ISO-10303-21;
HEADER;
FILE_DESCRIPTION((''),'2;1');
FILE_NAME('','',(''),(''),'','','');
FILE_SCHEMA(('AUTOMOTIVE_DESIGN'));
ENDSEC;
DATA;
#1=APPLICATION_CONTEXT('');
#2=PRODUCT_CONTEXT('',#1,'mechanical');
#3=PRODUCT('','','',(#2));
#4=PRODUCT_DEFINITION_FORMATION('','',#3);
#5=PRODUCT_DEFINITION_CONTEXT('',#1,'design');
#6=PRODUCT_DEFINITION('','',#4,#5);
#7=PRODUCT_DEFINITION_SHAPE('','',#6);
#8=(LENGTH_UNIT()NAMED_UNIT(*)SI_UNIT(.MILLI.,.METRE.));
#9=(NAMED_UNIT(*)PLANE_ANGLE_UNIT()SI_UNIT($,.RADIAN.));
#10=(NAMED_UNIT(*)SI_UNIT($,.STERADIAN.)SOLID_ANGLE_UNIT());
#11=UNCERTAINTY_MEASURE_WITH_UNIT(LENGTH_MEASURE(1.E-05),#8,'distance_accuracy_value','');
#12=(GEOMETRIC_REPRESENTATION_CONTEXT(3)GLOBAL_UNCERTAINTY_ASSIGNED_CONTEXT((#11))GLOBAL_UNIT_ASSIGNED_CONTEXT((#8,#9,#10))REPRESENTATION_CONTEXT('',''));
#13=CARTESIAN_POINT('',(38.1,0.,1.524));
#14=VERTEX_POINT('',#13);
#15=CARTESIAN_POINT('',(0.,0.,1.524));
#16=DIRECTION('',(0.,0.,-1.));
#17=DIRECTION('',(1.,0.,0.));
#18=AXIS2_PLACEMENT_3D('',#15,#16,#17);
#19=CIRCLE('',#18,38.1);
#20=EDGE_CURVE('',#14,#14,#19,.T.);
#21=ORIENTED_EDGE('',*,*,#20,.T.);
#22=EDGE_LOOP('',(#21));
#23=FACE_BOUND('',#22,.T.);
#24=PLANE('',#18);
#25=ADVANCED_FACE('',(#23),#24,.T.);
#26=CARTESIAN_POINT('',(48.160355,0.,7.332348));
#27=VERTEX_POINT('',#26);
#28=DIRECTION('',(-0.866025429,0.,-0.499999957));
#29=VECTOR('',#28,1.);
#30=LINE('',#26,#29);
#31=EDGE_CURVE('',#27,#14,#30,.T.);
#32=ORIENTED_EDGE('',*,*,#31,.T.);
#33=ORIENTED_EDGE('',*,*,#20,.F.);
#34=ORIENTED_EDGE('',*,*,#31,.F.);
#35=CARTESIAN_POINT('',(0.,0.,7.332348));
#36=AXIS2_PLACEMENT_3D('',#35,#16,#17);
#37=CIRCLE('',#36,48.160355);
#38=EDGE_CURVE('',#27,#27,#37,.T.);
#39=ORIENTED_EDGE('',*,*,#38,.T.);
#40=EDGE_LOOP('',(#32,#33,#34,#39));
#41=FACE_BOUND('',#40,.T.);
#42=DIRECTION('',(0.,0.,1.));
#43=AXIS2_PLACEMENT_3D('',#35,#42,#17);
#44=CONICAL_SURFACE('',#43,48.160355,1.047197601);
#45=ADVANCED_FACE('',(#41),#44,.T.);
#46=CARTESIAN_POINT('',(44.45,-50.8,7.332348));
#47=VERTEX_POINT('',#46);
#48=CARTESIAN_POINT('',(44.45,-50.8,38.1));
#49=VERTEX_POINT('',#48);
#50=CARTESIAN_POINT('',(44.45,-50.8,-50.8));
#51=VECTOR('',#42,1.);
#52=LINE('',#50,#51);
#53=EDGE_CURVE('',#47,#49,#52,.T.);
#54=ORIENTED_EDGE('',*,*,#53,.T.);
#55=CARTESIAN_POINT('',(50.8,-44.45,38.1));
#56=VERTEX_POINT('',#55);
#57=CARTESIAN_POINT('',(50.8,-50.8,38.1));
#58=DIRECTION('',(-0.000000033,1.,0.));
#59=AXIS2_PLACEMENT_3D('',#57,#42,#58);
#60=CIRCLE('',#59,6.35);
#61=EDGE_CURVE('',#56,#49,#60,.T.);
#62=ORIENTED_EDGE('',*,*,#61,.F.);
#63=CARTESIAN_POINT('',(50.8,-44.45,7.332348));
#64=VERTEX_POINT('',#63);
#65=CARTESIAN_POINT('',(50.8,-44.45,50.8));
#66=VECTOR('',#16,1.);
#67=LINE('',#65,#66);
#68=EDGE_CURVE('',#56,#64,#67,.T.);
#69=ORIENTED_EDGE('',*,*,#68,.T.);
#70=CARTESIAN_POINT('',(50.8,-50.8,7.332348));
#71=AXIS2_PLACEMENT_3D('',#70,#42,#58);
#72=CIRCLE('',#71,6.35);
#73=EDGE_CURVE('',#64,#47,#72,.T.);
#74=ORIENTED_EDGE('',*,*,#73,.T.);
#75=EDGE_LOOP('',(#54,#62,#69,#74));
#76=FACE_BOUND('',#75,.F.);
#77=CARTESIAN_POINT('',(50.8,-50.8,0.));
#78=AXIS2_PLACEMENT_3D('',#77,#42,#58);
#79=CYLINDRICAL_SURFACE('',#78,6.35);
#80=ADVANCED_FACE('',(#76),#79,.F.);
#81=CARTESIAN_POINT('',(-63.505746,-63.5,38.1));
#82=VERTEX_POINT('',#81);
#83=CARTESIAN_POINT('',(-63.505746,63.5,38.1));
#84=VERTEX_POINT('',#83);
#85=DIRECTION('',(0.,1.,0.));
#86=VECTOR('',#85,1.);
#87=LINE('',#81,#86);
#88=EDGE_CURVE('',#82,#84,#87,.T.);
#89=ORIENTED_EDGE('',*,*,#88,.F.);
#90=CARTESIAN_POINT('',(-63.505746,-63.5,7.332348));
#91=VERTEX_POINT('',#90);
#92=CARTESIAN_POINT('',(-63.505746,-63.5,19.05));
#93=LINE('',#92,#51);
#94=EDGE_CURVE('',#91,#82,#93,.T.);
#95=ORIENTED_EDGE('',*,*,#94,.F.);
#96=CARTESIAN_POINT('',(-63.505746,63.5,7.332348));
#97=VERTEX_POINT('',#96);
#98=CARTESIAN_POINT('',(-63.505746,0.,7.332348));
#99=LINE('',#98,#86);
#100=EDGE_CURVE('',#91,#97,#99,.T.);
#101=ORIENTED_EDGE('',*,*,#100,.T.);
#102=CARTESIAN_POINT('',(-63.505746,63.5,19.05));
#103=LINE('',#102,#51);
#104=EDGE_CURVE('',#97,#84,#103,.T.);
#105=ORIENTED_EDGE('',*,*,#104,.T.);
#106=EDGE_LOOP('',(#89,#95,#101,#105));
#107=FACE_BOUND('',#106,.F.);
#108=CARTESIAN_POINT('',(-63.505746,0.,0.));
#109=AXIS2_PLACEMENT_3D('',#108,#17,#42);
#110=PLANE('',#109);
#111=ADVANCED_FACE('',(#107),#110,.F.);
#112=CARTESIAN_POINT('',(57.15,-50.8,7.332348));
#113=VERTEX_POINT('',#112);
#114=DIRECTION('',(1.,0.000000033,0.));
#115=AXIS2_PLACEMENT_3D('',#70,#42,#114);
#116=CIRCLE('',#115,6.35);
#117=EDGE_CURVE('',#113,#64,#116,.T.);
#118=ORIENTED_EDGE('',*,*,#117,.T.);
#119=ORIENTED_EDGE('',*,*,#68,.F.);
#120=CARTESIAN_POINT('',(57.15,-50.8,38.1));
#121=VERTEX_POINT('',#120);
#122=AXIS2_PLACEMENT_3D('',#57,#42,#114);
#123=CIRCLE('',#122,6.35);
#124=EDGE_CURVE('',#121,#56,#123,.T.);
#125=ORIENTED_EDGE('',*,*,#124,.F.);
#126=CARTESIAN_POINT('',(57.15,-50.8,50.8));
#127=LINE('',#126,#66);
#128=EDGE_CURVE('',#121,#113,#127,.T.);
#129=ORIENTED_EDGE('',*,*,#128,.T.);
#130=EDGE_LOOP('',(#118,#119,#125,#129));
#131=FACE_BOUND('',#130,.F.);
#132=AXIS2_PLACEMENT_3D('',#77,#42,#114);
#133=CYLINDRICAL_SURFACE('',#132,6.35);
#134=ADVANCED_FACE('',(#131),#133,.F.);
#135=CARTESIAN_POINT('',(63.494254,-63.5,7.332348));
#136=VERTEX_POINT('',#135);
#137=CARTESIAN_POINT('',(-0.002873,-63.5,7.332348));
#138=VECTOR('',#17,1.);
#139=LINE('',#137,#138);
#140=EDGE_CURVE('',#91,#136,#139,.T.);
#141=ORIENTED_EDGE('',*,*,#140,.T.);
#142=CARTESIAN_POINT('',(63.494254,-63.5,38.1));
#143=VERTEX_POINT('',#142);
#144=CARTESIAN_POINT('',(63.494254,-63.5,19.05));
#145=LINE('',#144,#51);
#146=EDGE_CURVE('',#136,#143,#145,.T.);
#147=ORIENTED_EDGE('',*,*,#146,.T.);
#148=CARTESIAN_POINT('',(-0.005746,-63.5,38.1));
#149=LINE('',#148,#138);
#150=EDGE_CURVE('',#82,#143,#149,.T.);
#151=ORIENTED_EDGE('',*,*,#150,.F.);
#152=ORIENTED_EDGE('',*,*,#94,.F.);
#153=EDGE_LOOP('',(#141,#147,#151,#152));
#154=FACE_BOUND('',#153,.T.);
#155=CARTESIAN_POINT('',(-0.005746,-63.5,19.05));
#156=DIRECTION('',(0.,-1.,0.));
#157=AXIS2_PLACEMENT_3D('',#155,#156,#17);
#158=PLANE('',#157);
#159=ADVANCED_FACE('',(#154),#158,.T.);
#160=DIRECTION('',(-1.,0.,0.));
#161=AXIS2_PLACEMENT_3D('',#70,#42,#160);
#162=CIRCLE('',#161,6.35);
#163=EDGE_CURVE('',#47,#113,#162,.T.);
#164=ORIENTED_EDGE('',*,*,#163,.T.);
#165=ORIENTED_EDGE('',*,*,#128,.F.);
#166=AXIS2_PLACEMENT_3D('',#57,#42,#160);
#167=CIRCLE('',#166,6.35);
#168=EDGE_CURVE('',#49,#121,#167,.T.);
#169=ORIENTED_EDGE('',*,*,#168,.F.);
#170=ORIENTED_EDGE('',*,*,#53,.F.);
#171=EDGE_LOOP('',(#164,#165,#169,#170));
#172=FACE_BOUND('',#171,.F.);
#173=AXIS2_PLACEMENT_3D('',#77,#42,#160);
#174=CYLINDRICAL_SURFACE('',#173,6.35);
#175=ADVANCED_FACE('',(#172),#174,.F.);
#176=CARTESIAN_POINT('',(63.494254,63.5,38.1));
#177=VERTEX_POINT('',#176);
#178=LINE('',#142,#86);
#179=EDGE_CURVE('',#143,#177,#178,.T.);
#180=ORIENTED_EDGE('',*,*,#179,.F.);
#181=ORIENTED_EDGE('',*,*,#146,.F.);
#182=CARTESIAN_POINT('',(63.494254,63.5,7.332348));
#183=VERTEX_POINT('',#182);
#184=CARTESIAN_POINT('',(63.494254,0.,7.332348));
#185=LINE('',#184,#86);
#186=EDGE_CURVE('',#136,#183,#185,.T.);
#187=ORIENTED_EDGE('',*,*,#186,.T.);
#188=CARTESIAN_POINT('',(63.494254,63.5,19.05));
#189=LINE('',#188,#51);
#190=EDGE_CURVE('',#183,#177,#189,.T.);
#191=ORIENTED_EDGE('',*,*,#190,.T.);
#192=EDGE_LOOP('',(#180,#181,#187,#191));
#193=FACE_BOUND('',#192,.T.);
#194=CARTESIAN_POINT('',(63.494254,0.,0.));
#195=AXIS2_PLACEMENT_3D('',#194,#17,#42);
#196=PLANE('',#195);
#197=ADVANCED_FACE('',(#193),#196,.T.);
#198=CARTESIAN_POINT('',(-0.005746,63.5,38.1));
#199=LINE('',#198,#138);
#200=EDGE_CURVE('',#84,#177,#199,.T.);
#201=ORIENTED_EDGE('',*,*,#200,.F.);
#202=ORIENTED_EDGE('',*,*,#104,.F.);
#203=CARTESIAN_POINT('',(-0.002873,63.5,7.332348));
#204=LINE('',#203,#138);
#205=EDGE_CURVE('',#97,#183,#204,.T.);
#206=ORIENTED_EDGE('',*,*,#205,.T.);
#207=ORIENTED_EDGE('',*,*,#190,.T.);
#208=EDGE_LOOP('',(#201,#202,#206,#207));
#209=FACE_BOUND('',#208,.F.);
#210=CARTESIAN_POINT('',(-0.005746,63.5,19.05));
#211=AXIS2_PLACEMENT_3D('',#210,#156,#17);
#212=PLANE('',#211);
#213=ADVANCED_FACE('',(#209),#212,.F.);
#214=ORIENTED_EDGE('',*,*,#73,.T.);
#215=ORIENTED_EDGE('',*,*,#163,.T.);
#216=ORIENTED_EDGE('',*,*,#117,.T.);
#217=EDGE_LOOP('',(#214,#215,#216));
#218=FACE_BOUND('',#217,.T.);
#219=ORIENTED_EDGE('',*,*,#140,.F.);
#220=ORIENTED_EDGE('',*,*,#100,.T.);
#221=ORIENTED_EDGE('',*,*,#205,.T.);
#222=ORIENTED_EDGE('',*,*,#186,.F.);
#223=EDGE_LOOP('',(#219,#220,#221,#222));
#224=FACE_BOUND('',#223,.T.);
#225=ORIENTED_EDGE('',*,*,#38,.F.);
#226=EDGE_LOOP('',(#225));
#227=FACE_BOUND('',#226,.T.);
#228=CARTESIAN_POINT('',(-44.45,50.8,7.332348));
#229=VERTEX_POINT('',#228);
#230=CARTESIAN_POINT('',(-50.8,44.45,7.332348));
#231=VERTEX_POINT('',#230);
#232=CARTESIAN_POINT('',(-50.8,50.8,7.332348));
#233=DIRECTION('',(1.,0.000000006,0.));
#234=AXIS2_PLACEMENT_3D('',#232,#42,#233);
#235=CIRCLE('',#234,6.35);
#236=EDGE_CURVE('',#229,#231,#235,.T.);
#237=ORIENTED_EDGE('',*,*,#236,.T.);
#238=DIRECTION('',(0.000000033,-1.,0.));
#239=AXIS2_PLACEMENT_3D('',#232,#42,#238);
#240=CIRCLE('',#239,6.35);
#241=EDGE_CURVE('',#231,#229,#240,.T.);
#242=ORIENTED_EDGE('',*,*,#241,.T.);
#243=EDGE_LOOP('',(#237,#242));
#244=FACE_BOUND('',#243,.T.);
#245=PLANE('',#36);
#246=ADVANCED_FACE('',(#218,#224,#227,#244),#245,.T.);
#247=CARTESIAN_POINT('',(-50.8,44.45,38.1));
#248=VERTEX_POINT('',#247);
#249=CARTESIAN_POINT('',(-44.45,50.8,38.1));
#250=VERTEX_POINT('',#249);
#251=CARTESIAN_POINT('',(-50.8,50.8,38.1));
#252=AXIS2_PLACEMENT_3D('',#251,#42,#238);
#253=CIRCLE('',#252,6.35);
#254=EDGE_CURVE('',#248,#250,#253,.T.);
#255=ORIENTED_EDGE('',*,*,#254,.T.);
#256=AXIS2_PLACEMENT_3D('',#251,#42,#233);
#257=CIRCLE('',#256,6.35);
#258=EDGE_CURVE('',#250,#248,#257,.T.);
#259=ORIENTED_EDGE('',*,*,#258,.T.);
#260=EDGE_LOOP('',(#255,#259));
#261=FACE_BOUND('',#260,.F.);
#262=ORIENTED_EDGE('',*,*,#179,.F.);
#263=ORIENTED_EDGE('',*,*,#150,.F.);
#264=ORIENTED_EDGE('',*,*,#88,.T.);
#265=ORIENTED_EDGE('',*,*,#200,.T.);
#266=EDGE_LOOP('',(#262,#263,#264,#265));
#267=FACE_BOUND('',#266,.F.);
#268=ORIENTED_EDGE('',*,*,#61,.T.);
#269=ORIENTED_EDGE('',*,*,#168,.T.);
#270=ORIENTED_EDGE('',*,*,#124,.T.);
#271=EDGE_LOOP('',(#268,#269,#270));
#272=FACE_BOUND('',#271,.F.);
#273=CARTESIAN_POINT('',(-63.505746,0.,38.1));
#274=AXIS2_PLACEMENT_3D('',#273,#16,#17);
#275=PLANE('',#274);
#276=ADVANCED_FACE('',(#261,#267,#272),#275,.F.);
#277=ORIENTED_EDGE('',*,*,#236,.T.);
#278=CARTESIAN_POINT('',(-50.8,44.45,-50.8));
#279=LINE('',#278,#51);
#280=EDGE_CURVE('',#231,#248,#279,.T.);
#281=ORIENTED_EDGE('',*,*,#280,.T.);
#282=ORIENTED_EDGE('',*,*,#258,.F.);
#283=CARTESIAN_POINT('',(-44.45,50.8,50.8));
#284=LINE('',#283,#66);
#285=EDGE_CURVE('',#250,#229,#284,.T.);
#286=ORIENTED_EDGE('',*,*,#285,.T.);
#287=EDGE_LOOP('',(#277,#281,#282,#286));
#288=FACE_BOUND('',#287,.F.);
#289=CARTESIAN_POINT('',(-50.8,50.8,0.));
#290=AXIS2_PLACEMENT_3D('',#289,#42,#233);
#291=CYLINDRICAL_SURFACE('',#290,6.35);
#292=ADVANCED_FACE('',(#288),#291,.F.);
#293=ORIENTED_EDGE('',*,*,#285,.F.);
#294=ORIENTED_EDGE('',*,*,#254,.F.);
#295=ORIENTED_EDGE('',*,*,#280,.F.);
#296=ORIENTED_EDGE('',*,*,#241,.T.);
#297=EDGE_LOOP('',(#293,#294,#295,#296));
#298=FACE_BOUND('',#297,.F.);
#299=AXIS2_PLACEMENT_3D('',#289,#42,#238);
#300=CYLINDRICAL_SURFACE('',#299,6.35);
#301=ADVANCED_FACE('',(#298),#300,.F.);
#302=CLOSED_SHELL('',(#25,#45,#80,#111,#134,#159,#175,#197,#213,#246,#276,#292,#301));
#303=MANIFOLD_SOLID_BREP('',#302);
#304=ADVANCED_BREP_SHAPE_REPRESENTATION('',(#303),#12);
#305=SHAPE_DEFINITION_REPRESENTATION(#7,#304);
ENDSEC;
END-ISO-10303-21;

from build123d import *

# Parameters (mm, degrees)
F1_W     = 127
F1_H     = 38.1
F2_DEPTH = 63.5
F5_DEPTH = 50.8
F7_DEPTH = 50.8


with BuildPart() as f2:
    # F1 (on Front) → F2 (new body, symmetric)
    with BuildSketch(Plane.XZ):
        with Locations((-0.005746, 19.05)):
            Rectangle(F1_W, F1_H)
    extrude(amount=F2_DEPTH, both=True)

    # F0 (on Front) → F3 (revolve, cut)
    with BuildSketch(Plane.XZ):
        Polygon((48.160355, 7.332348), (38.1, 1.524), (0, 1.524), (0, 0), (92.567263, 0), (92.567263, 7.332348), align=None)
    revolve(axis=Axis((0, 0, 0.762), (0, 0, -1)), mode=Mode.SUBTRACT)

    # F4 (on Top) → F5 (cut, symmetric)
    with BuildSketch(Plane.XY):
        with BuildLine():
            Line((-50.8, 44.45), (-50.8, 50.8))
            Line((-50.8, 50.8), (-44.45, 50.8))
            ThreePointArc((-44.45, 50.8), (-55.290128, 55.290128), (-50.8, 44.45))
        make_face()
        with BuildLine():
            Line((-44.45, 50.8), (-50.8, 50.8))
            Line((-50.8, 50.8), (-50.8, 44.45))
            ThreePointArc((-50.8, 44.45), (-46.309872, 46.309872), (-44.45, 50.8))
        make_face()
    extrude(amount=F5_DEPTH, both=True, mode=Mode.SUBTRACT)

    # F6 (on Top) → F7 (cut, symmetric)
    with BuildSketch(Plane.XY):
        with BuildLine():
            ThreePointArc((50.8, -44.45), (46.309872, -46.309872), (44.45, -50.8))
            Line((44.45, -50.8), (50.8, -50.8))
            Line((50.8, -50.8), (50.8, -44.45))
        make_face()
        with BuildLine():
            Line((50.8, -50.8), (44.45, -50.8))
            ThreePointArc((44.45, -50.8), (50.8, -57.15), (57.15, -50.8))
            ThreePointArc((57.15, -50.8), (55.290128, -46.309872), (50.8, -44.45))
            Line((50.8, -44.45), (50.8, -50.8))
        make_face()
    extrude(amount=F7_DEPTH, both=True, mode=Mode.SUBTRACT)


solid = f2.part
